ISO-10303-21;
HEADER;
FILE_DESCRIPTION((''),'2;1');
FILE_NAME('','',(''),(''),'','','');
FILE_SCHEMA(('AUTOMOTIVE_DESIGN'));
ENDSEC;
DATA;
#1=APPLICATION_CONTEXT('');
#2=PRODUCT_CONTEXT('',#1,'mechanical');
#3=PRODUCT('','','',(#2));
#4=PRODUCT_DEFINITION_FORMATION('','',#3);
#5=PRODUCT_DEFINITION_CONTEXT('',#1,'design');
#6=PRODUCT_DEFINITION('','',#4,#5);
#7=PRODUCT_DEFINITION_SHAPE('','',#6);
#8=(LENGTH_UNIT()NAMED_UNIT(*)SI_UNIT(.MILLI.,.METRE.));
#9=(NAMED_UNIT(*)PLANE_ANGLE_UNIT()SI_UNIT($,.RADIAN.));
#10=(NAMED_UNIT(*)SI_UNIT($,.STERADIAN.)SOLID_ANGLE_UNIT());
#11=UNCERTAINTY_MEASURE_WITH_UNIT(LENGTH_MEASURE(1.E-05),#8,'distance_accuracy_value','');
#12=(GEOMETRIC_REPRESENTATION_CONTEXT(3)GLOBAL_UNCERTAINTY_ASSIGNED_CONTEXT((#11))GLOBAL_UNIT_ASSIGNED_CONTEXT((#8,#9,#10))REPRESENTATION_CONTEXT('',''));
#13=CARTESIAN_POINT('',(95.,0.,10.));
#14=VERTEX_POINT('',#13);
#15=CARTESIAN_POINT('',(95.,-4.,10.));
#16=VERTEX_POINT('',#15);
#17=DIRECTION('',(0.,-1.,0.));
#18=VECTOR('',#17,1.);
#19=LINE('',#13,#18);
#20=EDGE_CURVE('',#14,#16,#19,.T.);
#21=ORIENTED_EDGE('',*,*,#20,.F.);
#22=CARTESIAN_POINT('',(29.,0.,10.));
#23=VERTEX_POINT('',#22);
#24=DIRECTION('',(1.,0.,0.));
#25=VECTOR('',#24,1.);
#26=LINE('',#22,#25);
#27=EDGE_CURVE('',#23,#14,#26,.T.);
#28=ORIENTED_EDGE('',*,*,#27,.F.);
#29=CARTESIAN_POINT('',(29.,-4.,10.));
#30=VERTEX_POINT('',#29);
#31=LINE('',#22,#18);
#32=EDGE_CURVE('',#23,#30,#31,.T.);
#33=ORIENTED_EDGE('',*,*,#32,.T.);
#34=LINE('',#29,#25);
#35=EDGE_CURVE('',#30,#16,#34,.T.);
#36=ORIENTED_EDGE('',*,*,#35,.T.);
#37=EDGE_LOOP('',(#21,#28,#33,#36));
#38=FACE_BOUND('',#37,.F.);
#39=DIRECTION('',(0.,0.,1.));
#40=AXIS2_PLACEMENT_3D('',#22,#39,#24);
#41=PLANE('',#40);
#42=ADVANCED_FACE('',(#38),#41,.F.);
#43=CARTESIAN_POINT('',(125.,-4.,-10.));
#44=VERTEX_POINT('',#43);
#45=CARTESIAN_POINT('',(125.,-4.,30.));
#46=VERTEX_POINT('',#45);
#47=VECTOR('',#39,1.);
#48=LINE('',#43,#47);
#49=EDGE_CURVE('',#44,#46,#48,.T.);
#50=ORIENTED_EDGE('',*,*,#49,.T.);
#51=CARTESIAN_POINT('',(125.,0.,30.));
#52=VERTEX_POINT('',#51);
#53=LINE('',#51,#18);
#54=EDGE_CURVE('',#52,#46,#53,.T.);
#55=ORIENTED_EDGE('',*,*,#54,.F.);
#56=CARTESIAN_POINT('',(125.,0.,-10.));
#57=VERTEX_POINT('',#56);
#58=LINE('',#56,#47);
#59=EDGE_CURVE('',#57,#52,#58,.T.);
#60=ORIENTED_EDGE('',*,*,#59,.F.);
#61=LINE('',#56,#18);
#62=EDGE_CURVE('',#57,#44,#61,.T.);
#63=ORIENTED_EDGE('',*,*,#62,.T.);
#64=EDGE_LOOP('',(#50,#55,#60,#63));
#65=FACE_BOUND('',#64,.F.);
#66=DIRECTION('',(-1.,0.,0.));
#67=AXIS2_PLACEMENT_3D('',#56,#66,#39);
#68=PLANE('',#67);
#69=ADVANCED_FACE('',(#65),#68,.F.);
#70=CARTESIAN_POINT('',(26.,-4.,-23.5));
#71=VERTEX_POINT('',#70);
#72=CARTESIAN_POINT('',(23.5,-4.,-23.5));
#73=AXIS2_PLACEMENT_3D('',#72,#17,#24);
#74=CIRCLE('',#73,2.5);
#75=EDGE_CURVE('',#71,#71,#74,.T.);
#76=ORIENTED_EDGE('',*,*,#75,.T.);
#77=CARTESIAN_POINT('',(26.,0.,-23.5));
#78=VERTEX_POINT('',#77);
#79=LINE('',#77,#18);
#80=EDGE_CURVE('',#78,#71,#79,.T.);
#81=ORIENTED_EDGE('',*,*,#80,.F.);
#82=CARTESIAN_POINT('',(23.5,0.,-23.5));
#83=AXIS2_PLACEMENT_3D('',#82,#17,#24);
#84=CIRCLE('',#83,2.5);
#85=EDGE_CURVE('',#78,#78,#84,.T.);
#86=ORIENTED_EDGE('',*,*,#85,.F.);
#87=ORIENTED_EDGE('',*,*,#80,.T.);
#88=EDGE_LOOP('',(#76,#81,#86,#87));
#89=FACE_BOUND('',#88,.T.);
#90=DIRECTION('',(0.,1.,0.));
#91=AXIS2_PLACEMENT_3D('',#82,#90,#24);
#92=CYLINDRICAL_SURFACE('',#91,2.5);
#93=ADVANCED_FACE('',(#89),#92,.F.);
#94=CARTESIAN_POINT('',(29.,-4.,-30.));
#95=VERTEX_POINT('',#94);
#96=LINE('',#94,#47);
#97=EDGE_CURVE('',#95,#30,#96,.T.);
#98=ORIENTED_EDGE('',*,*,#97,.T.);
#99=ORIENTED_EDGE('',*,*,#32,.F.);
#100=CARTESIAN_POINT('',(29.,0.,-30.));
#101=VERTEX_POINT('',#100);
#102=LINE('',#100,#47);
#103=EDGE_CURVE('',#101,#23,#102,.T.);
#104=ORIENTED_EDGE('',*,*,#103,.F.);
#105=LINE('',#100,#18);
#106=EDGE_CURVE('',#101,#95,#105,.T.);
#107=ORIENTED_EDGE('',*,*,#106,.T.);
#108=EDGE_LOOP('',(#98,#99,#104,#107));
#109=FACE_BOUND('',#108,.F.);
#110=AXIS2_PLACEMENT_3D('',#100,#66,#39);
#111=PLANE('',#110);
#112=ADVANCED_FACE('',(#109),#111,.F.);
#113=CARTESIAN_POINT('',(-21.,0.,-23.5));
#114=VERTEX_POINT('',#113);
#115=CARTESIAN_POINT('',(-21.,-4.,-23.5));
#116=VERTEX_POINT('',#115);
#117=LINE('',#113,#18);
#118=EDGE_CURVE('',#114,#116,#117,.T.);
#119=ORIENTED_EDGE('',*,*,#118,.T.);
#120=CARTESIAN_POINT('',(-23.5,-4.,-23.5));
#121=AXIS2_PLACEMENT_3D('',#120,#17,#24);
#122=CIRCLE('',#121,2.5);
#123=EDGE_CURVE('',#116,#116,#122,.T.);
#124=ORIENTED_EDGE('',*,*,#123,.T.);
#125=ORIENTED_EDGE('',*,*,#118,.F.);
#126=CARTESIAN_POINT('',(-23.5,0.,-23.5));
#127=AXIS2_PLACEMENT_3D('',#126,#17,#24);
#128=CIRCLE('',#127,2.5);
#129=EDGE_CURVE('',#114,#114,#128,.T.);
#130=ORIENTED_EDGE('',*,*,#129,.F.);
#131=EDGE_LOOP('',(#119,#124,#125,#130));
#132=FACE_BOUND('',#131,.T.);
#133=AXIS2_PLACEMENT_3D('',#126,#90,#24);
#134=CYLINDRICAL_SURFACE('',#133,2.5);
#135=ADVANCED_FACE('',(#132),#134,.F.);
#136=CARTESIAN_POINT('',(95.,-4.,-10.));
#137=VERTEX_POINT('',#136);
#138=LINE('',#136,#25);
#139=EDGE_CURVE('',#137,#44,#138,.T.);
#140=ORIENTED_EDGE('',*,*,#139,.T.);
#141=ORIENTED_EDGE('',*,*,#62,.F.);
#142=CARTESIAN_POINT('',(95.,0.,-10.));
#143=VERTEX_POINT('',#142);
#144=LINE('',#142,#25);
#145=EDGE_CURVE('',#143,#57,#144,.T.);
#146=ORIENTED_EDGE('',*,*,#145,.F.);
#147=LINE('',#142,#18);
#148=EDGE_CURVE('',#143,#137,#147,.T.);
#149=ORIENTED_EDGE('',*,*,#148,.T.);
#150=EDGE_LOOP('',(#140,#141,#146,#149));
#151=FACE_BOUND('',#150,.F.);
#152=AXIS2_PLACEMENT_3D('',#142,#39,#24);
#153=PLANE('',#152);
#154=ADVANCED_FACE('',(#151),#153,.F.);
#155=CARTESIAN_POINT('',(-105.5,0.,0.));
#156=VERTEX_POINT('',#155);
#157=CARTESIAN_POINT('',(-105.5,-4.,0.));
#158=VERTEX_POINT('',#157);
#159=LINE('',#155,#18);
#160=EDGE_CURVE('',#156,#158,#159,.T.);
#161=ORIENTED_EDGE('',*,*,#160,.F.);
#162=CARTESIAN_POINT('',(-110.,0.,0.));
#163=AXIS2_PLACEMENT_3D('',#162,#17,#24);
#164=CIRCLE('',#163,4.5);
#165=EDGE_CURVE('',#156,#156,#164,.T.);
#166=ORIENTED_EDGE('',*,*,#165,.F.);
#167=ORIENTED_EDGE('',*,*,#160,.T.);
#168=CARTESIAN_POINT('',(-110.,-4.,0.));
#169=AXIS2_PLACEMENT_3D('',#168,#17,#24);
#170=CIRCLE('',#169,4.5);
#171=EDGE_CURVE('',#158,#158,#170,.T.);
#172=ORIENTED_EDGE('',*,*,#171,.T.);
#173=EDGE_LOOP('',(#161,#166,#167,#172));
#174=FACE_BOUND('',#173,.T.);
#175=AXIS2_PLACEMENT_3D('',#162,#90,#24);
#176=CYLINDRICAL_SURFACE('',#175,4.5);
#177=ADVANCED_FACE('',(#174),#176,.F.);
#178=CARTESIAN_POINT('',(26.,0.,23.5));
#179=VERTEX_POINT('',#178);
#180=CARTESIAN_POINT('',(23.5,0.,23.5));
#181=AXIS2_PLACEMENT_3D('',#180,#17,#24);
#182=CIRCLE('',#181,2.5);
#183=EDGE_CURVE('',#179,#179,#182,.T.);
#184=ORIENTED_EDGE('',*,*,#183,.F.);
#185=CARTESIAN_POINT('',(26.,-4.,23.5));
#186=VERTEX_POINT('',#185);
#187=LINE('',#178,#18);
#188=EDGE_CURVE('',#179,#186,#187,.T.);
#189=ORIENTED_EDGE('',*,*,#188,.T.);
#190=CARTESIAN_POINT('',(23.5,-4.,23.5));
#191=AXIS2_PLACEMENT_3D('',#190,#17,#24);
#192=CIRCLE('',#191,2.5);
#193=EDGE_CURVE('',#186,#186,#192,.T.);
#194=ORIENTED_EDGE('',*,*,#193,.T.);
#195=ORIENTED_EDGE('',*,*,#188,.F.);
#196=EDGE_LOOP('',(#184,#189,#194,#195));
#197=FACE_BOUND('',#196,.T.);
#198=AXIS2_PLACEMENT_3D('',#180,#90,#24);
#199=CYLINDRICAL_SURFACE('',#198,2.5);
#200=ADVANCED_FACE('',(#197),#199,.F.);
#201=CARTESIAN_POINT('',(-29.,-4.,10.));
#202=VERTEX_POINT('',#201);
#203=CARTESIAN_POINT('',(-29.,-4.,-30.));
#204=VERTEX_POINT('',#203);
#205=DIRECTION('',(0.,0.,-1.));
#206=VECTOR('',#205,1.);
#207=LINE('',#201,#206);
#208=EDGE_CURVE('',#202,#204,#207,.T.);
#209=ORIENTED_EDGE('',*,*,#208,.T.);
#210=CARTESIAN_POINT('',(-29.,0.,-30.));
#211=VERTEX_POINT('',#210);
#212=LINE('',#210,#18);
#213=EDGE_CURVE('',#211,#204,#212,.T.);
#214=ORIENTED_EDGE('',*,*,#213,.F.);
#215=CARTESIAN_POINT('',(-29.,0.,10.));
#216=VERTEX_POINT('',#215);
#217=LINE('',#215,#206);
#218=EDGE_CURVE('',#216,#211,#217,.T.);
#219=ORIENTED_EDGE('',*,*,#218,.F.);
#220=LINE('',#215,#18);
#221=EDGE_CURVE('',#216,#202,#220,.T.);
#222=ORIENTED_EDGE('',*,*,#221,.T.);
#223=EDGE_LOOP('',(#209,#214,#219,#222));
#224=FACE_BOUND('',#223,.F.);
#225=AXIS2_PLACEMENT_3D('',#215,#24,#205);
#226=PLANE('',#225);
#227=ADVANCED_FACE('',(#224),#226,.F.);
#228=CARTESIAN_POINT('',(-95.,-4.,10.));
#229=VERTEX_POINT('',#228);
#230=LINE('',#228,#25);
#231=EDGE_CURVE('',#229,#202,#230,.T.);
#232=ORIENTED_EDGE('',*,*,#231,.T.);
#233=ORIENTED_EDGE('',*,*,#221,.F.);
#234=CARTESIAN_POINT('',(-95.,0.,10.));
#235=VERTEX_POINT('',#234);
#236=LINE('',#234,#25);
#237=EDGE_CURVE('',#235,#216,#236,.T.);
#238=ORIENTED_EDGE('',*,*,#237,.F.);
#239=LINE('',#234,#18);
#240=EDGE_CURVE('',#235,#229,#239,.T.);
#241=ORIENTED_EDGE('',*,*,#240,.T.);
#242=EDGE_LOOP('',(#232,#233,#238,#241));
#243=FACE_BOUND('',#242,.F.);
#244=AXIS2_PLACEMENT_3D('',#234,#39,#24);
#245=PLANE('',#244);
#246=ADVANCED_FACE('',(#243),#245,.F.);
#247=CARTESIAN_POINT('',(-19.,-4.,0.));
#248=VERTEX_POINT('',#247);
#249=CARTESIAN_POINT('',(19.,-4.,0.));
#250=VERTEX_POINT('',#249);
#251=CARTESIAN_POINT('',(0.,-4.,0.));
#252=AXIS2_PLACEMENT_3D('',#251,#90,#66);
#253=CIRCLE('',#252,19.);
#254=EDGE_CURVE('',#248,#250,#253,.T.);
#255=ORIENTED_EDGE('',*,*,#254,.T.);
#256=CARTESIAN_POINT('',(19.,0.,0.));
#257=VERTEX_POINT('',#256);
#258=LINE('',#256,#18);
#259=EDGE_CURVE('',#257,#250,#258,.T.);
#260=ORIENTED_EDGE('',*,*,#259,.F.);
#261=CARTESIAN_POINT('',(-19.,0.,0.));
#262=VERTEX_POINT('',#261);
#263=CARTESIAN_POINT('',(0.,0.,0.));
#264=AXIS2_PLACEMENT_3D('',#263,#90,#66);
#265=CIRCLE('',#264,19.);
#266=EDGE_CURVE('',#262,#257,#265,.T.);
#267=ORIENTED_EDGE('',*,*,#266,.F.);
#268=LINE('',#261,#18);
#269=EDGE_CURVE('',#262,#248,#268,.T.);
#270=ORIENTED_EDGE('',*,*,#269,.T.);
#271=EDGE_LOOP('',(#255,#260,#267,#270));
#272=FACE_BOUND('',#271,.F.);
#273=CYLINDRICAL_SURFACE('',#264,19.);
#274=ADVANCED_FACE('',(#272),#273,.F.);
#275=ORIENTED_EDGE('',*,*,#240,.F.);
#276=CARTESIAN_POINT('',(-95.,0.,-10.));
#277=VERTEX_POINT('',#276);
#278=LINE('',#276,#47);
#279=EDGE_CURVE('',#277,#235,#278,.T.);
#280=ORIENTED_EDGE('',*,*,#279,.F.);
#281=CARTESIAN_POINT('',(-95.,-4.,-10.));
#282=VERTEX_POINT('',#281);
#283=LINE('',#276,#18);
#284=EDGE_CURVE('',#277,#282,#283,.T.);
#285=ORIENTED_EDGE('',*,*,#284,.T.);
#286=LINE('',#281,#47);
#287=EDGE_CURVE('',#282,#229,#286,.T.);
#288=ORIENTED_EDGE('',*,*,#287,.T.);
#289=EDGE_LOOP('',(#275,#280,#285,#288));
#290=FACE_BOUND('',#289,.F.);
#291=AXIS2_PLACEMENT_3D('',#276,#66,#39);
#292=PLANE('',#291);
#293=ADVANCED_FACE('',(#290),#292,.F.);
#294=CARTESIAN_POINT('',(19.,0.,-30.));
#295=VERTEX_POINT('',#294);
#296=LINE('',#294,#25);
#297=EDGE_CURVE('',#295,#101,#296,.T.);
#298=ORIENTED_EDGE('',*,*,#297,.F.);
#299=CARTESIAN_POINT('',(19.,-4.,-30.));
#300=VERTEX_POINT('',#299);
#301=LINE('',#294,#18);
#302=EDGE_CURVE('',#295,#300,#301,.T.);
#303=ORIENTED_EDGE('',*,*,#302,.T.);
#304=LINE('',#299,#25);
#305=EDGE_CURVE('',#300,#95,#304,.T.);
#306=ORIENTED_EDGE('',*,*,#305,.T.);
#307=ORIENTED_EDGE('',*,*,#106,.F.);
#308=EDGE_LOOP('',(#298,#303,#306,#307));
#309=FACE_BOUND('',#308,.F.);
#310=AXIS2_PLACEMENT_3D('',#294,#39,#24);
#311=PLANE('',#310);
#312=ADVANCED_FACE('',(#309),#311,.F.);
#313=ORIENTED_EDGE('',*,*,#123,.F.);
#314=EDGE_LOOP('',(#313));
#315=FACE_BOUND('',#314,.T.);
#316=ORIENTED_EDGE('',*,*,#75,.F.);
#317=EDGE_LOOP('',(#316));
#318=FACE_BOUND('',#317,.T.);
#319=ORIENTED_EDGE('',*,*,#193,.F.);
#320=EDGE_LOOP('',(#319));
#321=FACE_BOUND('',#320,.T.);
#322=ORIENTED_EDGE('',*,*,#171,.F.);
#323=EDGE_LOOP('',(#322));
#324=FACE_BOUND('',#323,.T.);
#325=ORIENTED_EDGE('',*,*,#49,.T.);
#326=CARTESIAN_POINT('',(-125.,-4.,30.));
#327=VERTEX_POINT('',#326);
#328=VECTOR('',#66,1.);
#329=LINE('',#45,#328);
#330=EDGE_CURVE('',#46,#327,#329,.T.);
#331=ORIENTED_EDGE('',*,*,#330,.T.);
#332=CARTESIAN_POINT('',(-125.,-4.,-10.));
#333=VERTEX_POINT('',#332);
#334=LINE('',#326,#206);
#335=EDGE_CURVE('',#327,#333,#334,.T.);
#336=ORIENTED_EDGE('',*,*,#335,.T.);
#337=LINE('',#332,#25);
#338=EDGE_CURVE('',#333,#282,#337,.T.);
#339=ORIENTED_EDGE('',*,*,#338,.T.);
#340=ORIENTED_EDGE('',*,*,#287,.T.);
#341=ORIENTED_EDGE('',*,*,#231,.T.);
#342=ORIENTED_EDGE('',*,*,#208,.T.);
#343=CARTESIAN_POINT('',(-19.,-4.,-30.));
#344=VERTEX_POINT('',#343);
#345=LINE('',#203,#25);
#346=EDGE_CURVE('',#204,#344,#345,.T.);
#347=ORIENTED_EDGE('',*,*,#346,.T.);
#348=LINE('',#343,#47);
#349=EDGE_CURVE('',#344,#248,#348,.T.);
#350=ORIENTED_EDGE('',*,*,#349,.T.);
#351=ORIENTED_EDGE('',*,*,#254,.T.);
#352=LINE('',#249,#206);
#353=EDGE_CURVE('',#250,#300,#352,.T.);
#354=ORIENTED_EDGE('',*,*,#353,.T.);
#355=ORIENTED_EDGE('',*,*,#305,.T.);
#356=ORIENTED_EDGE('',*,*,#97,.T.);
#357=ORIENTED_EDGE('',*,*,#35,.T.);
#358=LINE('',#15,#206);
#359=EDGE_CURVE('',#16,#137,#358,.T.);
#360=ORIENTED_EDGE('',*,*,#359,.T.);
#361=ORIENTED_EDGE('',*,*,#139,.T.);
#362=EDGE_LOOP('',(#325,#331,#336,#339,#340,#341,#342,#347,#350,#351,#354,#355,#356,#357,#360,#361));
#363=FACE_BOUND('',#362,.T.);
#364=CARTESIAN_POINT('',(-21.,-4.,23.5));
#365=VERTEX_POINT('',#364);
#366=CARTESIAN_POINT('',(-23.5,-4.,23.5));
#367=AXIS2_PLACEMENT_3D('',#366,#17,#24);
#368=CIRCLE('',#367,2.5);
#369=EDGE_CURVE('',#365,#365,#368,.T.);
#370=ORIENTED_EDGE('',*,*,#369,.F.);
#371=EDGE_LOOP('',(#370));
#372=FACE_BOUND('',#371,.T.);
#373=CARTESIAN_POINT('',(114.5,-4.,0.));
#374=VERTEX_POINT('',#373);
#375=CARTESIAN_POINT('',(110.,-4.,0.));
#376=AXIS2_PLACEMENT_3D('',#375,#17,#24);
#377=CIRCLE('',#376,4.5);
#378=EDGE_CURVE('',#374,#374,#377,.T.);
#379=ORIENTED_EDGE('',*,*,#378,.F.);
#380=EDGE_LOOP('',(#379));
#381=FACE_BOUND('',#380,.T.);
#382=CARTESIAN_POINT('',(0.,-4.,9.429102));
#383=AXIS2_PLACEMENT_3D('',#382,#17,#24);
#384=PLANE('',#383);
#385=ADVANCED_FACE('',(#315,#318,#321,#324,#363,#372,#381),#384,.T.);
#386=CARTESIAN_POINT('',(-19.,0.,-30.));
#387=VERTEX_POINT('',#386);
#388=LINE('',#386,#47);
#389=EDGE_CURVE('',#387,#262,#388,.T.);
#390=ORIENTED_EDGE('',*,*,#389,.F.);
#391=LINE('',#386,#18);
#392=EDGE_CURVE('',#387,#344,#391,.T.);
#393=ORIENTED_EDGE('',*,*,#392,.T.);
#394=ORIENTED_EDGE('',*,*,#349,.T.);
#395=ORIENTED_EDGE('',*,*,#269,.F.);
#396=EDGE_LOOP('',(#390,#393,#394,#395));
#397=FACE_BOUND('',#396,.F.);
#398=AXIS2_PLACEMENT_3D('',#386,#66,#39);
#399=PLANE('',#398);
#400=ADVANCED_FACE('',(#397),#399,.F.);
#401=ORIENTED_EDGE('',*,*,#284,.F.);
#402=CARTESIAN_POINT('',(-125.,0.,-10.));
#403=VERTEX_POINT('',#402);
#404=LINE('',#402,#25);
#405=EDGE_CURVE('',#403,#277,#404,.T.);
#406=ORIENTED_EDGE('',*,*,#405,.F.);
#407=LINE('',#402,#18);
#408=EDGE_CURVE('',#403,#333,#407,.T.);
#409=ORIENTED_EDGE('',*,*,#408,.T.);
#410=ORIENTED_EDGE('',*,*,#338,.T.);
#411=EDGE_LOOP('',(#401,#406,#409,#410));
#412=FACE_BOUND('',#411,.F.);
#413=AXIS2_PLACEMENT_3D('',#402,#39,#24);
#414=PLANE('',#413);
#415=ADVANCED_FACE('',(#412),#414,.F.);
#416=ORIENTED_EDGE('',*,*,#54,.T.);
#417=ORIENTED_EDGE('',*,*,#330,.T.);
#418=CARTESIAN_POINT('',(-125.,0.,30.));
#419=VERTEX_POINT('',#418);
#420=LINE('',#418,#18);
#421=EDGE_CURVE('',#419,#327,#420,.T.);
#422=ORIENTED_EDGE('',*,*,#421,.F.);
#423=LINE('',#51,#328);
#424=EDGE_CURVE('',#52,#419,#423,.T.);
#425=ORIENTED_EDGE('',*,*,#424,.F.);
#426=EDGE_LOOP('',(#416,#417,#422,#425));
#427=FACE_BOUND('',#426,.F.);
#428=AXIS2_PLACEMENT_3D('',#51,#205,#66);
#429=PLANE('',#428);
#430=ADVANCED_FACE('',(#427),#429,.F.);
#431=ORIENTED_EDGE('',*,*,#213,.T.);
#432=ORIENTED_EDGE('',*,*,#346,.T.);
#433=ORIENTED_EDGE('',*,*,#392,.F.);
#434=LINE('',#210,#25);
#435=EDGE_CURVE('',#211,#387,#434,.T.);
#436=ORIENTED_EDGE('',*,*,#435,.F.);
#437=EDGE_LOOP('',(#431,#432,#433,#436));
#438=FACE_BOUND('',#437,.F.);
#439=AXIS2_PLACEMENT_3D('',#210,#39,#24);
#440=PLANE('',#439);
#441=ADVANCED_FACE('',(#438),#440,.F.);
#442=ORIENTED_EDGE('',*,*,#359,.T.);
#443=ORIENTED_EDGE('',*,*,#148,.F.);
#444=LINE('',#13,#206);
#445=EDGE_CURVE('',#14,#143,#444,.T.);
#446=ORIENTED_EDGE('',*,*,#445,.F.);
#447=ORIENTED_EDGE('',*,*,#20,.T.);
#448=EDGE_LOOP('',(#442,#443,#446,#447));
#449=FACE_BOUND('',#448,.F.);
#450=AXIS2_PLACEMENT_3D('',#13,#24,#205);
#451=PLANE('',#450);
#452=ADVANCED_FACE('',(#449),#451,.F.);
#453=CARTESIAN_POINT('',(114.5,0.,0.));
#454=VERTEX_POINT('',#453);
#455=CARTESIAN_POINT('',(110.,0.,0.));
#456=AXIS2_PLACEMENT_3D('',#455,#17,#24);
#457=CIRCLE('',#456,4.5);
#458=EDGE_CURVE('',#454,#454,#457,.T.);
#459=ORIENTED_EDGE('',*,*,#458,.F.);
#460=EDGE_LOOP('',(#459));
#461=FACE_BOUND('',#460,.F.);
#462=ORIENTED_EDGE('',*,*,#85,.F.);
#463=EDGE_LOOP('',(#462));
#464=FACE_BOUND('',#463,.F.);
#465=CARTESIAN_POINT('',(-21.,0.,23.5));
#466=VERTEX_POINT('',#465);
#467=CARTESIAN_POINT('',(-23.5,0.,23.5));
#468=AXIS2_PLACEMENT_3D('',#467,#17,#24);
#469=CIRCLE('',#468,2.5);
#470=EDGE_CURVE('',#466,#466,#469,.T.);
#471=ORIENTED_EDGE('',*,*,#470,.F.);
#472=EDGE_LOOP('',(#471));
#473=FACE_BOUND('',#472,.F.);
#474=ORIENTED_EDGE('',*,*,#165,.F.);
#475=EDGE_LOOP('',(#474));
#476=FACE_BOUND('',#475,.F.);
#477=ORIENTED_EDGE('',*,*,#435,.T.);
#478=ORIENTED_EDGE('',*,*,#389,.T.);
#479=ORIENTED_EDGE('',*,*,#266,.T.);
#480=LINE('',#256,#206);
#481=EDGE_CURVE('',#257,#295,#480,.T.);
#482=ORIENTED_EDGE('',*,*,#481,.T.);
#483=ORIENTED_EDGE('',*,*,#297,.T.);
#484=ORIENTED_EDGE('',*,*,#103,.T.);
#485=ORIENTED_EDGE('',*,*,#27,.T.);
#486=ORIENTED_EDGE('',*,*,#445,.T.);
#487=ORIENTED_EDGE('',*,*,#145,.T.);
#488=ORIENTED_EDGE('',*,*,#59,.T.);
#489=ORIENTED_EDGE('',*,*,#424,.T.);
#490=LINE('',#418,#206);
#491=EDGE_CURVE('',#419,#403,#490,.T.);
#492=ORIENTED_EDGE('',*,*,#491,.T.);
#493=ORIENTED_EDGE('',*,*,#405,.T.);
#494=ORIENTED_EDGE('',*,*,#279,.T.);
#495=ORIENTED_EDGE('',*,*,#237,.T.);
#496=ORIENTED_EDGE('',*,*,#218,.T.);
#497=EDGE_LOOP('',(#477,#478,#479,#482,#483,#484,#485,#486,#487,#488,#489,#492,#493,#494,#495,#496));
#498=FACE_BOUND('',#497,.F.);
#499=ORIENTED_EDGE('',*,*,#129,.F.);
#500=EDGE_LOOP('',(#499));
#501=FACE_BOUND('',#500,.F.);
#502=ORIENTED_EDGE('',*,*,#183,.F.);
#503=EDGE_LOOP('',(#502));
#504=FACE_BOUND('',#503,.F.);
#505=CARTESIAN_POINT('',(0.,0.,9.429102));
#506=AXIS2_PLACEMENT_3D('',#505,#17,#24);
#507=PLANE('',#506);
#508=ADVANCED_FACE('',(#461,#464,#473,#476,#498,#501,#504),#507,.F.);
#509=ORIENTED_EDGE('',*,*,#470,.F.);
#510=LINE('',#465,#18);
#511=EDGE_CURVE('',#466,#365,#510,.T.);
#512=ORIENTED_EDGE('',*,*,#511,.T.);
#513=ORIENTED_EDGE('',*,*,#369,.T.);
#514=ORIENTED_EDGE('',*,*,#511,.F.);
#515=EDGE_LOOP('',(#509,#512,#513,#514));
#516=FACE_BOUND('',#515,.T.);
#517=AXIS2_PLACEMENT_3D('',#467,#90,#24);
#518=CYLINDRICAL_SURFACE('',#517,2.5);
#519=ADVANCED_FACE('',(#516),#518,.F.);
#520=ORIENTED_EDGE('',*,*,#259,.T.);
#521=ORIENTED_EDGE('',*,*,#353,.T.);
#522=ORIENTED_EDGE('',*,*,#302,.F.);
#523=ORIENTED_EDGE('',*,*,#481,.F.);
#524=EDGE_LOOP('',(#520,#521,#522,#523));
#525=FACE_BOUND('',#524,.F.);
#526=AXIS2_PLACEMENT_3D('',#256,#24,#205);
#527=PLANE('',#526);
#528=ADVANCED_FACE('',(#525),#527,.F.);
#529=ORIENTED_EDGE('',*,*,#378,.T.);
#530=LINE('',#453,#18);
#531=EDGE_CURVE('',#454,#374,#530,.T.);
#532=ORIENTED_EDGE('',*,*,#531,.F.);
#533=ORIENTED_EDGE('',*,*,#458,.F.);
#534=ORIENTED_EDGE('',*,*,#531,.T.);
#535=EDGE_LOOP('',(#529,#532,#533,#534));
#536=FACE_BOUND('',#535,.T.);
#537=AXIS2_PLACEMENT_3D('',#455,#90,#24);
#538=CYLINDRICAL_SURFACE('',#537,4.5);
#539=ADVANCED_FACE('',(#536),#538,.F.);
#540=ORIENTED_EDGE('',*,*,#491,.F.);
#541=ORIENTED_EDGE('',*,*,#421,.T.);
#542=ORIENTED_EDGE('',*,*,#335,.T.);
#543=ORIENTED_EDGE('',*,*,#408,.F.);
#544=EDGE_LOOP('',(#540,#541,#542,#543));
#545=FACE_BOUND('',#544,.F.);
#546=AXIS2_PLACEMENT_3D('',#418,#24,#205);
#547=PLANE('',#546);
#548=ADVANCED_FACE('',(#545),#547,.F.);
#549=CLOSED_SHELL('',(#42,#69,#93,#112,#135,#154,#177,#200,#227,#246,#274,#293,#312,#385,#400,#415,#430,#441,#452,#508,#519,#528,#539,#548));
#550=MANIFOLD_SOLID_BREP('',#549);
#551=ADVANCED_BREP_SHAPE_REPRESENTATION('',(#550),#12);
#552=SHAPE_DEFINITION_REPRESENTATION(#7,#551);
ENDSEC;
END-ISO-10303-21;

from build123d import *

# Parameters (mm, degrees)
F0_R     = 2.5
F0_R_2   = 4.5
F1_DEPTH = 4


with BuildPart() as f1:
    # F0 (on Front) → F1 (new body)
    with BuildSketch(Plane.XZ):
        with BuildLine():
            ThreePointArc((-19, 0), (0, 19), (19, 0))
            Line((19, 0), (19, -30))
            Line((19, -30), (29, -30))
            Line((29, -30), (29, 10))
            Line((29, 10), (95, 10))
            Line((95, 10), (95, -10))
            Line((95, -10), (125, -10))
            Line((125, -10), (125, 30))
            Line((125, 30), (-125, 30))
            Line((-125, 30), (-125, -10))
            Line((-125, -10), (-95, -10))
            Line((-95, -10), (-95, 10))
            Line((-95, 10), (-29, 10))
            Line((-29, 10), (-29, -30))
            Line((-29, -30), (-19, -30))
            Line((-19, -30), (-19, 0))
        make_face()
        with Locations((-23.5, -23.5)):
            Circle(F0_R, mode=Mode.SUBTRACT)
        with Locations((23.5, -23.5)):
            Circle(F0_R, mode=Mode.SUBTRACT)
        with Locations((-110, 0)):
            Circle(F0_R_2, mode=Mode.SUBTRACT)
        with Locations((-23.5, 23.5)):
            Circle(F0_R, mode=Mode.SUBTRACT)
        with Locations((110, 0)):
            Circle(F0_R_2, mode=Mode.SUBTRACT)
        with Locations((23.5, 23.5)):
            Circle(F0_R, mode=Mode.SUBTRACT)
    extrude(amount=F1_DEPTH)


solid = f1.part
